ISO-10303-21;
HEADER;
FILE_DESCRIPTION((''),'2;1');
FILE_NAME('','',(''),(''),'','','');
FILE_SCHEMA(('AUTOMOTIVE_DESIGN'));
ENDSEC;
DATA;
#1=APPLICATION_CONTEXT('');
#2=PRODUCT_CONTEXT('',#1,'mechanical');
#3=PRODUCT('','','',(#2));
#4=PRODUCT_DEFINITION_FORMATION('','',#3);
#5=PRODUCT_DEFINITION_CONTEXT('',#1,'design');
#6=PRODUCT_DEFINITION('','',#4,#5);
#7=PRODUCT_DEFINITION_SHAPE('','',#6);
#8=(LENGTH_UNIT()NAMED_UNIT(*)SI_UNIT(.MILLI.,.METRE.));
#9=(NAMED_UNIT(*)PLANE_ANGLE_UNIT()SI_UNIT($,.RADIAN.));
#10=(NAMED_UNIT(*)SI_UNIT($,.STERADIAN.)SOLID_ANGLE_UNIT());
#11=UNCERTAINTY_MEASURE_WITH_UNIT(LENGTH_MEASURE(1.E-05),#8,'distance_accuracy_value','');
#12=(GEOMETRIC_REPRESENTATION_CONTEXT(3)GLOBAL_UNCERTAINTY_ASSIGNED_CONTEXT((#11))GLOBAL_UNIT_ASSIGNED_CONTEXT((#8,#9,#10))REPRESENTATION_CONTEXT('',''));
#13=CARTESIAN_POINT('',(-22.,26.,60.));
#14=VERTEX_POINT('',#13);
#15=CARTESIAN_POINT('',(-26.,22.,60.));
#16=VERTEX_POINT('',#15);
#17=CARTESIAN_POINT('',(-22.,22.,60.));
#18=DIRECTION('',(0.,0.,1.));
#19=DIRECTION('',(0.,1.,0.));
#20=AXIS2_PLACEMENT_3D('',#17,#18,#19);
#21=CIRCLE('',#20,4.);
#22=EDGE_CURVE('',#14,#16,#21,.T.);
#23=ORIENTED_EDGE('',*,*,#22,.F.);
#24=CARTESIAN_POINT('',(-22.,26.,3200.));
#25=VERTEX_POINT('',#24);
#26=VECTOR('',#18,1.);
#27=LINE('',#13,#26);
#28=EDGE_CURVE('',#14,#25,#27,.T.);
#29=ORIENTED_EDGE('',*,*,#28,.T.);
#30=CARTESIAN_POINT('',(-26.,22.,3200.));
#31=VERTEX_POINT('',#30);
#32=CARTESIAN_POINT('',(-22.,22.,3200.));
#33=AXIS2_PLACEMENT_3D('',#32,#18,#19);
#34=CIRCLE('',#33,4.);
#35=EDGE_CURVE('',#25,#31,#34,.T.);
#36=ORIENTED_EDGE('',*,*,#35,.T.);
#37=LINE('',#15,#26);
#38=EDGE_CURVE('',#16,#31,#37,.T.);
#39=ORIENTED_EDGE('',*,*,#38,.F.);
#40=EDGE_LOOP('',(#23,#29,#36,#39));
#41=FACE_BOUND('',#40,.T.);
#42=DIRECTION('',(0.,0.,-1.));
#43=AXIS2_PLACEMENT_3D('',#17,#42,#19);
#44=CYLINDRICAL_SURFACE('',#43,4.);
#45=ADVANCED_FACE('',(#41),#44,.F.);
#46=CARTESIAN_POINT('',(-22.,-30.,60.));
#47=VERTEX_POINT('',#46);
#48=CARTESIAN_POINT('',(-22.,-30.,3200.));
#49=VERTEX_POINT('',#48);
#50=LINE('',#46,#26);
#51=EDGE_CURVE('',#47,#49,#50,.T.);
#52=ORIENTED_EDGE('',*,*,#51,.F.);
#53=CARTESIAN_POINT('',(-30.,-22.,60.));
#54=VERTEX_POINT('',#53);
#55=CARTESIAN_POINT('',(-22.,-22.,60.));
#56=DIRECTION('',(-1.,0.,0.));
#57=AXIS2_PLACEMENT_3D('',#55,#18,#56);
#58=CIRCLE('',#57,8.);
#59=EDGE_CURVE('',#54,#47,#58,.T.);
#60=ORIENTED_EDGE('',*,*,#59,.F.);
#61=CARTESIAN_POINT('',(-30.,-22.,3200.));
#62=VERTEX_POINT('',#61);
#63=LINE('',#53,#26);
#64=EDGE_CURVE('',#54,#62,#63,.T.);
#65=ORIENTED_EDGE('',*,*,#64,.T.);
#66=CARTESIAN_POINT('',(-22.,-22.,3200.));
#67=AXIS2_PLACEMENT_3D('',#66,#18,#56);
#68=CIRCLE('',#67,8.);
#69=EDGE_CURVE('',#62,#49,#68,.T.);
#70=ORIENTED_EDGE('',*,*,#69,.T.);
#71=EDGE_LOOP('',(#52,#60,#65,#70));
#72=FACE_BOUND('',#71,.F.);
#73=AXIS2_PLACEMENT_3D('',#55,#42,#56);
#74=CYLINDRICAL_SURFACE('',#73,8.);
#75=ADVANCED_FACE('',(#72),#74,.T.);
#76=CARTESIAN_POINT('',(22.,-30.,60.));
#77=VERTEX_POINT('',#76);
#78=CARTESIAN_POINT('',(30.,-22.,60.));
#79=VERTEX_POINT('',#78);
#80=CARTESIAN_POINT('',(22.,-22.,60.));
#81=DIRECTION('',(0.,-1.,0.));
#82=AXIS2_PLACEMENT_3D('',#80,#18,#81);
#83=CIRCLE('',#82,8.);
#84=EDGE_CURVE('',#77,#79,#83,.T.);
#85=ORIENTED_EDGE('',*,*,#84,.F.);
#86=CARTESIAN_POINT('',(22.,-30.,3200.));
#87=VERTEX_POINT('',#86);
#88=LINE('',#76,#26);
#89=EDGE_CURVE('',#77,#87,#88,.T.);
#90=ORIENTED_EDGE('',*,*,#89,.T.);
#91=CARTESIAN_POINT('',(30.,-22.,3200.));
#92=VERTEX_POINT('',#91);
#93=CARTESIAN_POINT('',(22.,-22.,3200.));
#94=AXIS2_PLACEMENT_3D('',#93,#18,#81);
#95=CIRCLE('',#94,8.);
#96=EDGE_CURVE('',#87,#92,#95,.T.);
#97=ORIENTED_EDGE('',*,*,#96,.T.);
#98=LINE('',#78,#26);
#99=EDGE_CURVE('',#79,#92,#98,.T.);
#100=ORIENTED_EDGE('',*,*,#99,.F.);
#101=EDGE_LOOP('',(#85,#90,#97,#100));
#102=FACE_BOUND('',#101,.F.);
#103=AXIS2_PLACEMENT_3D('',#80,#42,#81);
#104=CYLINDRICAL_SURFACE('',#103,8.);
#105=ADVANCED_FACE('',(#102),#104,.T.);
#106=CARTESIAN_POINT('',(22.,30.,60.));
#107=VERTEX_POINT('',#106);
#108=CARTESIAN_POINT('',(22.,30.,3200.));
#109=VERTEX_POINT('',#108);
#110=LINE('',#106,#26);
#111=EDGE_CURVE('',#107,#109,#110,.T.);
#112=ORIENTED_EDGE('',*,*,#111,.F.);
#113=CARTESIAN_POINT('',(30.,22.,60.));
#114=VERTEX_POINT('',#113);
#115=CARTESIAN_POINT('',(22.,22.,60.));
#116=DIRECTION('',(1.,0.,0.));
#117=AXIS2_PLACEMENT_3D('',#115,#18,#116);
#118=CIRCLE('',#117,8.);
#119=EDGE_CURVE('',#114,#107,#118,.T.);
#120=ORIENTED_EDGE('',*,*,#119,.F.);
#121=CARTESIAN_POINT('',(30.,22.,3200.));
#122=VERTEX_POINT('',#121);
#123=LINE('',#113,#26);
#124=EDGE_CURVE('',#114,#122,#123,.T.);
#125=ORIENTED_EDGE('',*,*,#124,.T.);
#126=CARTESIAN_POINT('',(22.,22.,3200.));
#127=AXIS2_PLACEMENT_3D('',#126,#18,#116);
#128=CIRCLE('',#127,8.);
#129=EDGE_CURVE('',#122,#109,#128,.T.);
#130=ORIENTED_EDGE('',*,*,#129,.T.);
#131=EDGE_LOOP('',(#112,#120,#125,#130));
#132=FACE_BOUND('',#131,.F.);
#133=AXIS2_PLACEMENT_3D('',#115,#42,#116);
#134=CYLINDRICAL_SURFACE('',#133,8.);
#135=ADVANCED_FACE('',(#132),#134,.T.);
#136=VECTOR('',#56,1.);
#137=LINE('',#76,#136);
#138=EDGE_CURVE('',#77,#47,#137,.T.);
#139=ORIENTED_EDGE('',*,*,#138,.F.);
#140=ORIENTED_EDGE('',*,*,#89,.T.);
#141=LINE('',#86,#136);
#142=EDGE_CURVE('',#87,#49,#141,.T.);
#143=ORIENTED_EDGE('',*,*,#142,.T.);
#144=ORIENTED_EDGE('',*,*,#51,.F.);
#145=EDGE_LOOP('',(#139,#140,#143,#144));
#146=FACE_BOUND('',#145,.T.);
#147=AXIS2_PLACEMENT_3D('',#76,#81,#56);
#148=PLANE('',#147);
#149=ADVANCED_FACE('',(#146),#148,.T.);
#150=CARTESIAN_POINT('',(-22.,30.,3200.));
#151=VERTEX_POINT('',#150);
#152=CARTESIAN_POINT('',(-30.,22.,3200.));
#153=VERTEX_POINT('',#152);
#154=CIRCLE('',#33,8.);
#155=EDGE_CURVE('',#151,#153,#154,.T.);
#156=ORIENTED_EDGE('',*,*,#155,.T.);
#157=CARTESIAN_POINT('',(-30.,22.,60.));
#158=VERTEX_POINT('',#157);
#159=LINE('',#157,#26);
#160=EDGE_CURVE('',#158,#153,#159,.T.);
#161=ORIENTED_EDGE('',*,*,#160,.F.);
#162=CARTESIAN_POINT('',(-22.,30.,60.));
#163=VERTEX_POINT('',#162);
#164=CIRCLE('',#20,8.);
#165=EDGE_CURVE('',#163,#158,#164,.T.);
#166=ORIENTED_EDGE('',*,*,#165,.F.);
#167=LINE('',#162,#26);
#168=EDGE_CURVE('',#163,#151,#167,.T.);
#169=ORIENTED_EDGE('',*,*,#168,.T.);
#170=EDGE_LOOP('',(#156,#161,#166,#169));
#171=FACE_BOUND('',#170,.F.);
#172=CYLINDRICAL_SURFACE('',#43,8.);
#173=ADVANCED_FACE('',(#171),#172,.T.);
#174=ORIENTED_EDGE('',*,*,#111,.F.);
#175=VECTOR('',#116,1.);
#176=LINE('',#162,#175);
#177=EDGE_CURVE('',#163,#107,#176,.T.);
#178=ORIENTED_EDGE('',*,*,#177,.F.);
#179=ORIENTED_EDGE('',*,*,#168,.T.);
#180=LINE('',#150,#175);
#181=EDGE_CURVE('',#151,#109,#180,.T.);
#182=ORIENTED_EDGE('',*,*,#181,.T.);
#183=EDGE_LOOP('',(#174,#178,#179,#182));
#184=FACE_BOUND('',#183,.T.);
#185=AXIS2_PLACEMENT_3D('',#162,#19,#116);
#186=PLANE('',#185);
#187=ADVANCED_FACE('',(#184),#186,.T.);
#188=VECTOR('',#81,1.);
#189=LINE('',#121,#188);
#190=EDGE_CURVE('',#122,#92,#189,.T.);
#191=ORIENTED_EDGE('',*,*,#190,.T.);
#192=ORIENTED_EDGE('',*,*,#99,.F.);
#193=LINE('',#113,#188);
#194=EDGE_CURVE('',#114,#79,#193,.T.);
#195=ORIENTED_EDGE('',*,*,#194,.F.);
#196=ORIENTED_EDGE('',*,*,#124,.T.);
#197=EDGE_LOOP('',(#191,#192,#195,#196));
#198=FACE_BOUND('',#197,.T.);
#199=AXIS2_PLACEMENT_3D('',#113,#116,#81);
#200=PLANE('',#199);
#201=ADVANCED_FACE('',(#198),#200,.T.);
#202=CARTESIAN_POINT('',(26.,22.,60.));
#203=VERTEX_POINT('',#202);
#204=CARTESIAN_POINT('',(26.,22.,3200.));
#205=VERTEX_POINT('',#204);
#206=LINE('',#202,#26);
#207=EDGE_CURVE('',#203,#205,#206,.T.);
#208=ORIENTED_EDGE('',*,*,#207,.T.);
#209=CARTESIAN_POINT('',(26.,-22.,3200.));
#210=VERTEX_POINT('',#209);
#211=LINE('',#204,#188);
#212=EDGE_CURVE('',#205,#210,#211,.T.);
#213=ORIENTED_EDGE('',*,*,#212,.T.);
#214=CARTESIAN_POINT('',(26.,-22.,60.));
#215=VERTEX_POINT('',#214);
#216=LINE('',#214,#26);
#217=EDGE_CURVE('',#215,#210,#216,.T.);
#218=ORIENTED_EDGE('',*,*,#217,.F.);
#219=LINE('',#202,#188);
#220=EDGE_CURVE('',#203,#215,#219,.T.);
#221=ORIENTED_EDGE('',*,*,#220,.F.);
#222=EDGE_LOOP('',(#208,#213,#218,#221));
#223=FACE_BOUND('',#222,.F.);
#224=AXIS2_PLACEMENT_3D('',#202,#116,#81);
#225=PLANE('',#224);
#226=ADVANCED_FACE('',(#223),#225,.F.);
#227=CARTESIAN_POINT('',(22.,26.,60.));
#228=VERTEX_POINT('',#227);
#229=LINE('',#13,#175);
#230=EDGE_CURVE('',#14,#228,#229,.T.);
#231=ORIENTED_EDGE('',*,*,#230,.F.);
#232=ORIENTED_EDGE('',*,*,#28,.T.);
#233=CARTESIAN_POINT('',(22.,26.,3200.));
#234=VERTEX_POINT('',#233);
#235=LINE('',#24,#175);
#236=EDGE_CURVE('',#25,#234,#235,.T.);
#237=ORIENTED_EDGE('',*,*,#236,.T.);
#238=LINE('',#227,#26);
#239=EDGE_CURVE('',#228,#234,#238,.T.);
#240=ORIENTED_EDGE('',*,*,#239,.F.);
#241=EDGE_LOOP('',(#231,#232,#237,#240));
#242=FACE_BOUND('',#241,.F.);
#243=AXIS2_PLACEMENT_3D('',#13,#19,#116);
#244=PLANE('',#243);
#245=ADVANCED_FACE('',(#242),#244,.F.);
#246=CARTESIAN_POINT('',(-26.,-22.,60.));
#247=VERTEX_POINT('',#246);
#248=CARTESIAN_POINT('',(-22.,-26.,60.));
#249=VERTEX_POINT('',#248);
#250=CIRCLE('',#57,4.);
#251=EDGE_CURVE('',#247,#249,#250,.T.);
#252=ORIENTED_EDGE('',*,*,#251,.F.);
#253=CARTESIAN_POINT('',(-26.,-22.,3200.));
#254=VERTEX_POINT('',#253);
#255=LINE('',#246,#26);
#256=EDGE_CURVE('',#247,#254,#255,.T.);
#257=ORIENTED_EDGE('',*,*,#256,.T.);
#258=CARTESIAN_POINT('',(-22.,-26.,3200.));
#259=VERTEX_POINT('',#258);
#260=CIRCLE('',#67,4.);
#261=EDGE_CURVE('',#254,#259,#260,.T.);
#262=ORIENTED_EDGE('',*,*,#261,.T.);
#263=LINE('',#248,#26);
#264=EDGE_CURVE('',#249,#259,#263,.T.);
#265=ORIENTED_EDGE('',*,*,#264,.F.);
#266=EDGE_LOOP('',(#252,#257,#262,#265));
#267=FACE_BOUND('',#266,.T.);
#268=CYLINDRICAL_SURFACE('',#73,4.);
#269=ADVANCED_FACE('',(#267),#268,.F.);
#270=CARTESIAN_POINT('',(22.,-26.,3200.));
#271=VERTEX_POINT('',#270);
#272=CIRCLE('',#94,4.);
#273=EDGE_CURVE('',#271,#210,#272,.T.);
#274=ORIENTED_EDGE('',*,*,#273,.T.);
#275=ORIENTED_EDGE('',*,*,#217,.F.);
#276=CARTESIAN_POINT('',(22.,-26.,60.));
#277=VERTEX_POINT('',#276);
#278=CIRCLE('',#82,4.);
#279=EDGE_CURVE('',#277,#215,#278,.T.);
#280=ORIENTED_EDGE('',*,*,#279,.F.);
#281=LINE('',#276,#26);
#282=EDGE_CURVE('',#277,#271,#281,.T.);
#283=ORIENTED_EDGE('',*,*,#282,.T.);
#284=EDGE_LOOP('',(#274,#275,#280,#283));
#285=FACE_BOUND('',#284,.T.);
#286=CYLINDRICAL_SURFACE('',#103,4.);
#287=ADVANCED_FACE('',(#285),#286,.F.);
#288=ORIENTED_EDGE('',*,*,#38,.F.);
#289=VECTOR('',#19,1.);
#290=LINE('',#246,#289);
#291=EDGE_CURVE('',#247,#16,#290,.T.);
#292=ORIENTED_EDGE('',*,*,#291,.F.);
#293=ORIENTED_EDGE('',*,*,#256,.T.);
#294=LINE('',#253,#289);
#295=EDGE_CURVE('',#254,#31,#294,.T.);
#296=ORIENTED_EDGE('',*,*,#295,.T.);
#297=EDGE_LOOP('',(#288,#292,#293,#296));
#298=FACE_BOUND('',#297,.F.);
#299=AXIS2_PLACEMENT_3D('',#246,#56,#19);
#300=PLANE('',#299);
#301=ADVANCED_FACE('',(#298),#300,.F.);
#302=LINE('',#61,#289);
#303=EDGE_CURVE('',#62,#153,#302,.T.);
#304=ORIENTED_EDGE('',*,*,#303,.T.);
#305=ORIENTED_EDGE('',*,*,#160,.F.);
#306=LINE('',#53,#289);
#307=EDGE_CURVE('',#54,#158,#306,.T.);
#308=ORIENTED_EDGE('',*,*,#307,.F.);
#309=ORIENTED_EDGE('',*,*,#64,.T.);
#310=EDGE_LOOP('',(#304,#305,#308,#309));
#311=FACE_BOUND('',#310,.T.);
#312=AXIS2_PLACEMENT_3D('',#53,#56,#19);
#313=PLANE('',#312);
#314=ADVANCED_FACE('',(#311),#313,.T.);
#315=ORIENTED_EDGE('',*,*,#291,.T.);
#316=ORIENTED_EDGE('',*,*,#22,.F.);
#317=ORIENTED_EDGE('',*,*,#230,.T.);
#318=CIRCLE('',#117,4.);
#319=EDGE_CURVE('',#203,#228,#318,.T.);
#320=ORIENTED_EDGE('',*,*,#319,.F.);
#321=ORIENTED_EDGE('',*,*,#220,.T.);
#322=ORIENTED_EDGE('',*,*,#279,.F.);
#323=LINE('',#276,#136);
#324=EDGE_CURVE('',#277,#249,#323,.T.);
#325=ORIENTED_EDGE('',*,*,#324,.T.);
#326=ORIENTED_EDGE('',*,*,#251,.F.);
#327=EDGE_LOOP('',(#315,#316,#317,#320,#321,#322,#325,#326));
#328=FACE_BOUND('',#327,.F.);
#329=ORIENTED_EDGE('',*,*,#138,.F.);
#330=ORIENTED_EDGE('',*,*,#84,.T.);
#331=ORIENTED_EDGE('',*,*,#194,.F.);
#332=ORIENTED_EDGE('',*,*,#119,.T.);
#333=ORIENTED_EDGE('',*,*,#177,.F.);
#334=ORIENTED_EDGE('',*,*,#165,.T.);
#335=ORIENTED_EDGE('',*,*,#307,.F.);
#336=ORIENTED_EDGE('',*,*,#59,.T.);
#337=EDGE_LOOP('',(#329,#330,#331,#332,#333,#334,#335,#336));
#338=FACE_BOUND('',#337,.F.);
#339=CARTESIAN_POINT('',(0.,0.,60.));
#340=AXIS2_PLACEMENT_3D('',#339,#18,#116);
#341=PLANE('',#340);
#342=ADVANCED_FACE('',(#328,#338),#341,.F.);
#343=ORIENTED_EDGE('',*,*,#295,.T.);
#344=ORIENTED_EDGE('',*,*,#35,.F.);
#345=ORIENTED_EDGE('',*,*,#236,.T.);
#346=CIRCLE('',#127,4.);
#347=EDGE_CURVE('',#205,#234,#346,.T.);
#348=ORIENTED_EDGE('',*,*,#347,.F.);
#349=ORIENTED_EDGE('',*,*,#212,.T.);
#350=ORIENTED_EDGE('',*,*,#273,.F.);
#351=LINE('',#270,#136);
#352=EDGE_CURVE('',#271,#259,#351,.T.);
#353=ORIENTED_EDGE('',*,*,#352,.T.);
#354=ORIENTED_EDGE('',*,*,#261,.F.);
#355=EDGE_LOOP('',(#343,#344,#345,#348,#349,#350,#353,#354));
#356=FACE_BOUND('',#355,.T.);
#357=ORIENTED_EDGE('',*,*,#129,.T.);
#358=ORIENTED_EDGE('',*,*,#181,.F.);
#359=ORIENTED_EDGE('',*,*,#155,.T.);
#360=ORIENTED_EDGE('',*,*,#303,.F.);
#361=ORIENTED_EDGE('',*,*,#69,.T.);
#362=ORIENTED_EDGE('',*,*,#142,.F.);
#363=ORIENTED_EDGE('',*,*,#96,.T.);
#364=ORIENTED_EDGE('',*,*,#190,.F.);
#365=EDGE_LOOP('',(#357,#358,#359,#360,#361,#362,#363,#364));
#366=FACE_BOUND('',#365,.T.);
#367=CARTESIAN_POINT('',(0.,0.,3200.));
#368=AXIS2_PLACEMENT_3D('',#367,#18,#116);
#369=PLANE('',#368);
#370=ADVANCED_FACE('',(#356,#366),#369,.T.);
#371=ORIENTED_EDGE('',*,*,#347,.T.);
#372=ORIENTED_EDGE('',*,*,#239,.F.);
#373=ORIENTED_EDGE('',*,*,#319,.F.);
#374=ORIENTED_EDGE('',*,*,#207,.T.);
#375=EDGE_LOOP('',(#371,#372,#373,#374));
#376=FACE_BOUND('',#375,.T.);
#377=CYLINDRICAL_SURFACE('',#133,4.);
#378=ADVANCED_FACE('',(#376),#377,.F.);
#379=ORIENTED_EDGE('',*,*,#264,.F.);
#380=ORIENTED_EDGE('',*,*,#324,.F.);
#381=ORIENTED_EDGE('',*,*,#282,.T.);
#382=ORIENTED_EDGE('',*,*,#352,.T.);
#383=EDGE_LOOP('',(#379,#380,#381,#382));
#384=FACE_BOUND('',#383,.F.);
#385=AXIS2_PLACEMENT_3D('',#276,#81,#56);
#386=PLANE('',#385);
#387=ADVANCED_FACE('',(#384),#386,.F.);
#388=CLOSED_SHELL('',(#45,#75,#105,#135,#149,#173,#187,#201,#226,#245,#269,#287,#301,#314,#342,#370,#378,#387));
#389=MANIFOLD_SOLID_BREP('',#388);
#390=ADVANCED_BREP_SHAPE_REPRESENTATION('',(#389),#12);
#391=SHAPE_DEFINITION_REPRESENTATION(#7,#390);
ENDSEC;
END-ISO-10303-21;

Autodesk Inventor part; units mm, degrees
ref_plane "Start Plane" through (0, 0, 60) normal (0, 0, 1) x (1, 0, 0)
ref_plane "End Plane" through (0, 0, 3200) normal (0, 0, 1) x (1, 0, 0)
sketch "Sketch" plane through (0, 0, 0) normal (0, 0, 1) x (1, 0, 0)
  line L0 (-30, -22) -> (-30, 22)
  line L1 (-22, 30) -> (22, 30)
  line L2 (30, 22) -> (30, -22)
  line L3 (22, -30) -> (-22, -30)
  arc A0 (-30, -22) -> (-22, -30) centre (-22, -22) ccw
  arc A1 (30, 22) -> (22, 30) centre (22, 22) ccw
  arc A2 (-22, 30) -> (-30, 22) centre (-22, 22) ccw
  arc A3 (22, -30) -> (30, -22) centre (22, -22) ccw
  arc A4 (-22, 26) -> (-26, 22) centre (-22, 22) ccw
  line L4 (-22, 26) -> (22, 26)
  arc A5 (26, 22) -> (22, 26) centre (22, 22) ccw
  line L5 (26, 22) -> (26, -22)
  arc A6 (22, -26) -> (26, -22) centre (22, -22) ccw
  line L6 (22, -26) -> (-22, -26)
  arc A7 (-26, -22) -> (-22, -26) centre (-22, -22) ccw
  line L7 (-26, -22) -> (-26, 22)
  line L8 (0, 44.3196) -> (0, -44.3196) construction
  line L9 (-44.3196, 0) -> (44.3196, 0) construction
  dimension "d7" = 8
  dimension "d9" = 60
  dimension "d11" = 60
  dimension "d12" = 4
  dimension "d15" = 30
  dimension "d16" = 30
extrude "Body" add sketch "Sketch" along normal up to surface (3140 mm away) from surface at 60
sketch "Sketch3" plane through (0, 0, 0) normal (0, 0, 1) x (1, 0, 0)
  line L0 (0, 0) -> (10, 0)
ref_plane "Work Plane3" through (0, 0, 0) normal (0, -1, 0) x (1, 0, 0)
ref_plane "Work Plane4" through (-1890, -22, 60) normal (0, 0, -1) x (-1, 0, 0)
split "Split1" plane through (-1890, -22, 60) removes the side toward (0, 0, -1)
sketch "Sketch4" plane through (0, 0, 0) normal (0, -1, 0) x (1, 0, 0)
  line L0 (-2, 60) -> (12, 60) projected
  line L1 (-2, 3200) -> (12, 3200) projected
  dimension "d18" = 3140
equation "\"d7\" = G_IR"
equation "\"d9\" = G_W"
equation "\"d11\" = G_H"
equation "\"d12\" = G_T"
equation "\"d15\" = 0.5 * d9"
equation "\"d16\" = 0.5 * d11"
equation "\"d3\" = G_L"
equation "\"G_W\" = 60"
equation "\"G_H\" = 60"
equation "\"G_T\" = 4"
equation "\"G_IR\" = 8"
equation "\"G_L\" = d18"
equation "\"G_OFFSET_END\" = 0"
properties part number "ISO 4019 - 60x60x4 - 3140" material "Steel, Mild"
